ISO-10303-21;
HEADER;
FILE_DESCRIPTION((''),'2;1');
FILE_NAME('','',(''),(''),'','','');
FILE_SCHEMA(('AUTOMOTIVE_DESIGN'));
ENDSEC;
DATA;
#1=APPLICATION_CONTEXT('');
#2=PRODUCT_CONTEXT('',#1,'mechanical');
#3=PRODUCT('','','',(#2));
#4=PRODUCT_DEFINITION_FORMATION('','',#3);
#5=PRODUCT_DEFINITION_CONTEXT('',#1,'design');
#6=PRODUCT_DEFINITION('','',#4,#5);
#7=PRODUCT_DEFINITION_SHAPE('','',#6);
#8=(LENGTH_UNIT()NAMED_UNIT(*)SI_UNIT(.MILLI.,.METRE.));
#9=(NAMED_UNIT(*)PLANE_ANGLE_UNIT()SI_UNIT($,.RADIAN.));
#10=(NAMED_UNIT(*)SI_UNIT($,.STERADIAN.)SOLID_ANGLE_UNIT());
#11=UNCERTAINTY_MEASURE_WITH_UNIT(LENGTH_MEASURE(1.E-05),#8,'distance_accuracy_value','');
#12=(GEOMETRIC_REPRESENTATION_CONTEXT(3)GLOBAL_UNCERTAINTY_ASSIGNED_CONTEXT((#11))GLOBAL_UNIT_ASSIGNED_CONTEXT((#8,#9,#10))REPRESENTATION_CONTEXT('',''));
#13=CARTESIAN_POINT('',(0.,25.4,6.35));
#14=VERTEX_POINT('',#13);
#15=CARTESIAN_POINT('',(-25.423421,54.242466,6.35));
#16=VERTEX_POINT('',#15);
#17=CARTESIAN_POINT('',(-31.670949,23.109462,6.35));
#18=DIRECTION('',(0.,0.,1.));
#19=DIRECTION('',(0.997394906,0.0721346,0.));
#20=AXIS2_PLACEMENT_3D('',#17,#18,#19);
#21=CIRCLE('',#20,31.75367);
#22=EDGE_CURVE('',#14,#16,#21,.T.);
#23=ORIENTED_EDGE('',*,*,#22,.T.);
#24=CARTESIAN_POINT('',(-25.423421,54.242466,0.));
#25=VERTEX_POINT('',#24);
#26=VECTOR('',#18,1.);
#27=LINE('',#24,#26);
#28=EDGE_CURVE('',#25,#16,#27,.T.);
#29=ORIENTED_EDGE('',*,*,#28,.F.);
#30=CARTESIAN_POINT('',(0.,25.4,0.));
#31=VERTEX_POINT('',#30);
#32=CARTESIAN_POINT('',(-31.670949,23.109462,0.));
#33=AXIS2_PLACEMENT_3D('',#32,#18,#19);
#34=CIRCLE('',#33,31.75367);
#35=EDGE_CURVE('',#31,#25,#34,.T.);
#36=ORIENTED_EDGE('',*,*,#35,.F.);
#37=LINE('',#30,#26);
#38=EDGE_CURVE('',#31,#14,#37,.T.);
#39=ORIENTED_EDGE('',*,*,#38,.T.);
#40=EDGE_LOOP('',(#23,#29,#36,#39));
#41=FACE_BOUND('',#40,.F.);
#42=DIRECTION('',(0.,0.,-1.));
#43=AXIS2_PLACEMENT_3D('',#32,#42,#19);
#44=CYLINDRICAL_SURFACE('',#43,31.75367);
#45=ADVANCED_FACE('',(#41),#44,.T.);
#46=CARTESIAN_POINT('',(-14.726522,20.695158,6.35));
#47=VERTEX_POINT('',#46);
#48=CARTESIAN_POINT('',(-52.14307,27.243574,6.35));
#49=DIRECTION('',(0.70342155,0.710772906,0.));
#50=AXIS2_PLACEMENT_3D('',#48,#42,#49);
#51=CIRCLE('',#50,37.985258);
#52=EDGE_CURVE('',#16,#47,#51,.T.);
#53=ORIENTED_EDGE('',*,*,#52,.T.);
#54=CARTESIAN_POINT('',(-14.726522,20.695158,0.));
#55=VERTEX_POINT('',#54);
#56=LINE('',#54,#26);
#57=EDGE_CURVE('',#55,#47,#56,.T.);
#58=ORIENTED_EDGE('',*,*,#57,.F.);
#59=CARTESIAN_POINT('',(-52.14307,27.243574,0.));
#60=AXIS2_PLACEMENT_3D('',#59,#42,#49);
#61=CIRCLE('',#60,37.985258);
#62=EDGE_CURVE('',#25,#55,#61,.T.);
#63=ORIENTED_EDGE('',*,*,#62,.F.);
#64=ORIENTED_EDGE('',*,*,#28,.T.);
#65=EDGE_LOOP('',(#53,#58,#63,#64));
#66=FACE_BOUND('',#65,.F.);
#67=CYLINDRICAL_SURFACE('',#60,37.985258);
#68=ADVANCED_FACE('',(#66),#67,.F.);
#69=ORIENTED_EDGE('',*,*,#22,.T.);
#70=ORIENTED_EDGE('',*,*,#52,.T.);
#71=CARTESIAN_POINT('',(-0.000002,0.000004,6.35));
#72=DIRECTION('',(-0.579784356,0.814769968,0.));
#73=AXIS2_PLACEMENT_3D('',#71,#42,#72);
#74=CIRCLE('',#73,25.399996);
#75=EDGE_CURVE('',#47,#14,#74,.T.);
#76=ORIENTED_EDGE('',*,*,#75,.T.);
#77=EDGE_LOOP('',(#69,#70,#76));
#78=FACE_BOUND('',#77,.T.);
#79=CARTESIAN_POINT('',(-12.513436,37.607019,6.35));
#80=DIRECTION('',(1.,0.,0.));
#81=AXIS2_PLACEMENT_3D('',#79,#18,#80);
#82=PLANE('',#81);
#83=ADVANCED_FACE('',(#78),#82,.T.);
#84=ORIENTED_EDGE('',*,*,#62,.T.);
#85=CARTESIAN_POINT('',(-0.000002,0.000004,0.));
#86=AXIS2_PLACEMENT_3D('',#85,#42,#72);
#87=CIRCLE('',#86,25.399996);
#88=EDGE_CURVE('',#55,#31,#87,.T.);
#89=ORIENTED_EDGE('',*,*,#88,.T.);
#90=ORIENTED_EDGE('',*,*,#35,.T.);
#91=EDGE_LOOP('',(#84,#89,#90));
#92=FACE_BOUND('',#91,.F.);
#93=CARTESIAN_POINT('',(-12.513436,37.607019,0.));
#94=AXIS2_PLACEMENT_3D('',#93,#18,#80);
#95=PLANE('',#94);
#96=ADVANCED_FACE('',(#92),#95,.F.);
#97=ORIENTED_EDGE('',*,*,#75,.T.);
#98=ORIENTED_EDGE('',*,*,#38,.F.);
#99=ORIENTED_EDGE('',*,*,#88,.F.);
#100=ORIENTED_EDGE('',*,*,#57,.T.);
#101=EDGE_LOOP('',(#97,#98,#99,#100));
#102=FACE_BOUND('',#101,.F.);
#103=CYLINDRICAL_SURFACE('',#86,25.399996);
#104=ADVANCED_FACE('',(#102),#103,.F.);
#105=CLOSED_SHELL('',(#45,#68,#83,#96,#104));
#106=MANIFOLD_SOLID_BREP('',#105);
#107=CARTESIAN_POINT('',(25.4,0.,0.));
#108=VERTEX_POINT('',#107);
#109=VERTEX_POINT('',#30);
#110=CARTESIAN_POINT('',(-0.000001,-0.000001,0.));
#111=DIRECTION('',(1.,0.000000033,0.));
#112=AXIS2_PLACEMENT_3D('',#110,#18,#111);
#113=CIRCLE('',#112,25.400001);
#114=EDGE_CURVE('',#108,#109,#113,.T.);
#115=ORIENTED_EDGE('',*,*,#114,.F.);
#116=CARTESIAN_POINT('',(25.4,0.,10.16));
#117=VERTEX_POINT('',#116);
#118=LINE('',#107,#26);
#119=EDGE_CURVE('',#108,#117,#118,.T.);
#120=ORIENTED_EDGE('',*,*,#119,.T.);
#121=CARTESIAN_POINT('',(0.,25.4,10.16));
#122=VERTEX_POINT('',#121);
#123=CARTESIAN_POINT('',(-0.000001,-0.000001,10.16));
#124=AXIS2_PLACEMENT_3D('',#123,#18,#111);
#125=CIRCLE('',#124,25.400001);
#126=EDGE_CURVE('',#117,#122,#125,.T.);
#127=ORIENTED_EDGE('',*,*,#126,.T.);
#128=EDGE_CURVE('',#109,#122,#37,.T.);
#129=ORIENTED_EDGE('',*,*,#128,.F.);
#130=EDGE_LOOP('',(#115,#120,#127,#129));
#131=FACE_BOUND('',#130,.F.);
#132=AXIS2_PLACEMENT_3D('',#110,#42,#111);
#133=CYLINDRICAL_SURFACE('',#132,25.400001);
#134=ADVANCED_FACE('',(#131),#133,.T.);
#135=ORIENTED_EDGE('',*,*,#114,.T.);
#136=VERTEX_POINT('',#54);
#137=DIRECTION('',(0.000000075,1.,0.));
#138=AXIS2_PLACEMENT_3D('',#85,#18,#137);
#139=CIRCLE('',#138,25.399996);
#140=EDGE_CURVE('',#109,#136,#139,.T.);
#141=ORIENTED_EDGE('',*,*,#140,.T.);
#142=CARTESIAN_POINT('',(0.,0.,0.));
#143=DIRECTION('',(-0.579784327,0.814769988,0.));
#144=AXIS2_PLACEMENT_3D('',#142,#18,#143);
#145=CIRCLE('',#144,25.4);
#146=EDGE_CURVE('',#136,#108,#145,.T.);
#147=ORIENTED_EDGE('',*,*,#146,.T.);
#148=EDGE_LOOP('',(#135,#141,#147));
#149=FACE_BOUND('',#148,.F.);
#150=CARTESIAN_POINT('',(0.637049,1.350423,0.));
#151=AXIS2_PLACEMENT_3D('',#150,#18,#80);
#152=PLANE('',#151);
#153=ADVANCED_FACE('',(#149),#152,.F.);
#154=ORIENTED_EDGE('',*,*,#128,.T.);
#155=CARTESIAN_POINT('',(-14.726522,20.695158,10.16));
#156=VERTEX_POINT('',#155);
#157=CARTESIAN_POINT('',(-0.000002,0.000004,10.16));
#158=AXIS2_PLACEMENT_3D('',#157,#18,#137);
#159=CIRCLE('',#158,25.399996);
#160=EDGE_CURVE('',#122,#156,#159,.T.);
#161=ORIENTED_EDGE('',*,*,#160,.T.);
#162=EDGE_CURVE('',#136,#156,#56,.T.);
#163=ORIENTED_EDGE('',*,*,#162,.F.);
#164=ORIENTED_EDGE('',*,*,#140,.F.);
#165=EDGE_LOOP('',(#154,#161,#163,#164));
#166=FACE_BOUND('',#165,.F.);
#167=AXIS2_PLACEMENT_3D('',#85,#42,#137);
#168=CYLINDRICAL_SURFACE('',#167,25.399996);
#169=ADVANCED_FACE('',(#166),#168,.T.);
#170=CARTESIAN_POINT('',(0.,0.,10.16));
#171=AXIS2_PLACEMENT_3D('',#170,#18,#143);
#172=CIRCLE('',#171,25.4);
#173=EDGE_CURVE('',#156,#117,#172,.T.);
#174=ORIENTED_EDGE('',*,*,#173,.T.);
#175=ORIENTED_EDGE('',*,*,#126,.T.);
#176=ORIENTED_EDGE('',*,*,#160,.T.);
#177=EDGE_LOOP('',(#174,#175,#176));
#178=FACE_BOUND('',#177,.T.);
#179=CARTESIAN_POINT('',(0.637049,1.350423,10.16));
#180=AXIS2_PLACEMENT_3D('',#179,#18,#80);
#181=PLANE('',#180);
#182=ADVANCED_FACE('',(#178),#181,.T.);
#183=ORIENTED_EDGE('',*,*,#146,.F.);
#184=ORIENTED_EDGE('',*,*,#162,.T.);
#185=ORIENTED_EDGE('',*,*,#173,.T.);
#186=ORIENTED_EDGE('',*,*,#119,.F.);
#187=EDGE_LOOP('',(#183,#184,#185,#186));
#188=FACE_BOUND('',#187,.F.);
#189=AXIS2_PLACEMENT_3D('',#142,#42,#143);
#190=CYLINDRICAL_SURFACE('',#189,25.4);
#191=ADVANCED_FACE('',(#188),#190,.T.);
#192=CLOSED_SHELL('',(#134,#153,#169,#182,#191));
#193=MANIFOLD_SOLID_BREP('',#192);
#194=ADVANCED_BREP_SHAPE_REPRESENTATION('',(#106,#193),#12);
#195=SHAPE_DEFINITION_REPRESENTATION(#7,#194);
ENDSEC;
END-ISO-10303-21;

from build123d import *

# Parameters (mm, degrees)
F1_DEPTH = 10.16
F2_DEPTH = 6.35


with BuildPart() as f1:
    # F0 (on Top) → F1 (new body)
    with BuildSketch(Plane.XY):
        with BuildLine():
            ThreePointArc((-14.726522, 20.695158), (-11.64273, -22.574473), (25.4, 0))
            ThreePointArc((25.4, 0), (17.960512, 17.960512), (0, 25.4))
            ThreePointArc((0, 25.4), (-7.729909, 24.195217), (-14.726522, 20.695158))
        make_face()
    extrude(amount=F1_DEPTH)


with BuildPart() as f2:
    # F0 (on Top) → F2 (new body)
    with BuildSketch(Plane.XY):
        with BuildLine():
            ThreePointArc((-14.726522, 20.695158), (-7.729909, 24.195217), (0, 25.4))
            ThreePointArc((0, 25.4), (-7.850271, 44.106387), (-25.423421, 54.242466))
            ThreePointArc((-25.423421, 54.242466), (-15.953038, 38.783132), (-14.726522, 20.695158))
        make_face()
    extrude(amount=F2_DEPTH)


solid = Compound([f1.part, f2.part])
